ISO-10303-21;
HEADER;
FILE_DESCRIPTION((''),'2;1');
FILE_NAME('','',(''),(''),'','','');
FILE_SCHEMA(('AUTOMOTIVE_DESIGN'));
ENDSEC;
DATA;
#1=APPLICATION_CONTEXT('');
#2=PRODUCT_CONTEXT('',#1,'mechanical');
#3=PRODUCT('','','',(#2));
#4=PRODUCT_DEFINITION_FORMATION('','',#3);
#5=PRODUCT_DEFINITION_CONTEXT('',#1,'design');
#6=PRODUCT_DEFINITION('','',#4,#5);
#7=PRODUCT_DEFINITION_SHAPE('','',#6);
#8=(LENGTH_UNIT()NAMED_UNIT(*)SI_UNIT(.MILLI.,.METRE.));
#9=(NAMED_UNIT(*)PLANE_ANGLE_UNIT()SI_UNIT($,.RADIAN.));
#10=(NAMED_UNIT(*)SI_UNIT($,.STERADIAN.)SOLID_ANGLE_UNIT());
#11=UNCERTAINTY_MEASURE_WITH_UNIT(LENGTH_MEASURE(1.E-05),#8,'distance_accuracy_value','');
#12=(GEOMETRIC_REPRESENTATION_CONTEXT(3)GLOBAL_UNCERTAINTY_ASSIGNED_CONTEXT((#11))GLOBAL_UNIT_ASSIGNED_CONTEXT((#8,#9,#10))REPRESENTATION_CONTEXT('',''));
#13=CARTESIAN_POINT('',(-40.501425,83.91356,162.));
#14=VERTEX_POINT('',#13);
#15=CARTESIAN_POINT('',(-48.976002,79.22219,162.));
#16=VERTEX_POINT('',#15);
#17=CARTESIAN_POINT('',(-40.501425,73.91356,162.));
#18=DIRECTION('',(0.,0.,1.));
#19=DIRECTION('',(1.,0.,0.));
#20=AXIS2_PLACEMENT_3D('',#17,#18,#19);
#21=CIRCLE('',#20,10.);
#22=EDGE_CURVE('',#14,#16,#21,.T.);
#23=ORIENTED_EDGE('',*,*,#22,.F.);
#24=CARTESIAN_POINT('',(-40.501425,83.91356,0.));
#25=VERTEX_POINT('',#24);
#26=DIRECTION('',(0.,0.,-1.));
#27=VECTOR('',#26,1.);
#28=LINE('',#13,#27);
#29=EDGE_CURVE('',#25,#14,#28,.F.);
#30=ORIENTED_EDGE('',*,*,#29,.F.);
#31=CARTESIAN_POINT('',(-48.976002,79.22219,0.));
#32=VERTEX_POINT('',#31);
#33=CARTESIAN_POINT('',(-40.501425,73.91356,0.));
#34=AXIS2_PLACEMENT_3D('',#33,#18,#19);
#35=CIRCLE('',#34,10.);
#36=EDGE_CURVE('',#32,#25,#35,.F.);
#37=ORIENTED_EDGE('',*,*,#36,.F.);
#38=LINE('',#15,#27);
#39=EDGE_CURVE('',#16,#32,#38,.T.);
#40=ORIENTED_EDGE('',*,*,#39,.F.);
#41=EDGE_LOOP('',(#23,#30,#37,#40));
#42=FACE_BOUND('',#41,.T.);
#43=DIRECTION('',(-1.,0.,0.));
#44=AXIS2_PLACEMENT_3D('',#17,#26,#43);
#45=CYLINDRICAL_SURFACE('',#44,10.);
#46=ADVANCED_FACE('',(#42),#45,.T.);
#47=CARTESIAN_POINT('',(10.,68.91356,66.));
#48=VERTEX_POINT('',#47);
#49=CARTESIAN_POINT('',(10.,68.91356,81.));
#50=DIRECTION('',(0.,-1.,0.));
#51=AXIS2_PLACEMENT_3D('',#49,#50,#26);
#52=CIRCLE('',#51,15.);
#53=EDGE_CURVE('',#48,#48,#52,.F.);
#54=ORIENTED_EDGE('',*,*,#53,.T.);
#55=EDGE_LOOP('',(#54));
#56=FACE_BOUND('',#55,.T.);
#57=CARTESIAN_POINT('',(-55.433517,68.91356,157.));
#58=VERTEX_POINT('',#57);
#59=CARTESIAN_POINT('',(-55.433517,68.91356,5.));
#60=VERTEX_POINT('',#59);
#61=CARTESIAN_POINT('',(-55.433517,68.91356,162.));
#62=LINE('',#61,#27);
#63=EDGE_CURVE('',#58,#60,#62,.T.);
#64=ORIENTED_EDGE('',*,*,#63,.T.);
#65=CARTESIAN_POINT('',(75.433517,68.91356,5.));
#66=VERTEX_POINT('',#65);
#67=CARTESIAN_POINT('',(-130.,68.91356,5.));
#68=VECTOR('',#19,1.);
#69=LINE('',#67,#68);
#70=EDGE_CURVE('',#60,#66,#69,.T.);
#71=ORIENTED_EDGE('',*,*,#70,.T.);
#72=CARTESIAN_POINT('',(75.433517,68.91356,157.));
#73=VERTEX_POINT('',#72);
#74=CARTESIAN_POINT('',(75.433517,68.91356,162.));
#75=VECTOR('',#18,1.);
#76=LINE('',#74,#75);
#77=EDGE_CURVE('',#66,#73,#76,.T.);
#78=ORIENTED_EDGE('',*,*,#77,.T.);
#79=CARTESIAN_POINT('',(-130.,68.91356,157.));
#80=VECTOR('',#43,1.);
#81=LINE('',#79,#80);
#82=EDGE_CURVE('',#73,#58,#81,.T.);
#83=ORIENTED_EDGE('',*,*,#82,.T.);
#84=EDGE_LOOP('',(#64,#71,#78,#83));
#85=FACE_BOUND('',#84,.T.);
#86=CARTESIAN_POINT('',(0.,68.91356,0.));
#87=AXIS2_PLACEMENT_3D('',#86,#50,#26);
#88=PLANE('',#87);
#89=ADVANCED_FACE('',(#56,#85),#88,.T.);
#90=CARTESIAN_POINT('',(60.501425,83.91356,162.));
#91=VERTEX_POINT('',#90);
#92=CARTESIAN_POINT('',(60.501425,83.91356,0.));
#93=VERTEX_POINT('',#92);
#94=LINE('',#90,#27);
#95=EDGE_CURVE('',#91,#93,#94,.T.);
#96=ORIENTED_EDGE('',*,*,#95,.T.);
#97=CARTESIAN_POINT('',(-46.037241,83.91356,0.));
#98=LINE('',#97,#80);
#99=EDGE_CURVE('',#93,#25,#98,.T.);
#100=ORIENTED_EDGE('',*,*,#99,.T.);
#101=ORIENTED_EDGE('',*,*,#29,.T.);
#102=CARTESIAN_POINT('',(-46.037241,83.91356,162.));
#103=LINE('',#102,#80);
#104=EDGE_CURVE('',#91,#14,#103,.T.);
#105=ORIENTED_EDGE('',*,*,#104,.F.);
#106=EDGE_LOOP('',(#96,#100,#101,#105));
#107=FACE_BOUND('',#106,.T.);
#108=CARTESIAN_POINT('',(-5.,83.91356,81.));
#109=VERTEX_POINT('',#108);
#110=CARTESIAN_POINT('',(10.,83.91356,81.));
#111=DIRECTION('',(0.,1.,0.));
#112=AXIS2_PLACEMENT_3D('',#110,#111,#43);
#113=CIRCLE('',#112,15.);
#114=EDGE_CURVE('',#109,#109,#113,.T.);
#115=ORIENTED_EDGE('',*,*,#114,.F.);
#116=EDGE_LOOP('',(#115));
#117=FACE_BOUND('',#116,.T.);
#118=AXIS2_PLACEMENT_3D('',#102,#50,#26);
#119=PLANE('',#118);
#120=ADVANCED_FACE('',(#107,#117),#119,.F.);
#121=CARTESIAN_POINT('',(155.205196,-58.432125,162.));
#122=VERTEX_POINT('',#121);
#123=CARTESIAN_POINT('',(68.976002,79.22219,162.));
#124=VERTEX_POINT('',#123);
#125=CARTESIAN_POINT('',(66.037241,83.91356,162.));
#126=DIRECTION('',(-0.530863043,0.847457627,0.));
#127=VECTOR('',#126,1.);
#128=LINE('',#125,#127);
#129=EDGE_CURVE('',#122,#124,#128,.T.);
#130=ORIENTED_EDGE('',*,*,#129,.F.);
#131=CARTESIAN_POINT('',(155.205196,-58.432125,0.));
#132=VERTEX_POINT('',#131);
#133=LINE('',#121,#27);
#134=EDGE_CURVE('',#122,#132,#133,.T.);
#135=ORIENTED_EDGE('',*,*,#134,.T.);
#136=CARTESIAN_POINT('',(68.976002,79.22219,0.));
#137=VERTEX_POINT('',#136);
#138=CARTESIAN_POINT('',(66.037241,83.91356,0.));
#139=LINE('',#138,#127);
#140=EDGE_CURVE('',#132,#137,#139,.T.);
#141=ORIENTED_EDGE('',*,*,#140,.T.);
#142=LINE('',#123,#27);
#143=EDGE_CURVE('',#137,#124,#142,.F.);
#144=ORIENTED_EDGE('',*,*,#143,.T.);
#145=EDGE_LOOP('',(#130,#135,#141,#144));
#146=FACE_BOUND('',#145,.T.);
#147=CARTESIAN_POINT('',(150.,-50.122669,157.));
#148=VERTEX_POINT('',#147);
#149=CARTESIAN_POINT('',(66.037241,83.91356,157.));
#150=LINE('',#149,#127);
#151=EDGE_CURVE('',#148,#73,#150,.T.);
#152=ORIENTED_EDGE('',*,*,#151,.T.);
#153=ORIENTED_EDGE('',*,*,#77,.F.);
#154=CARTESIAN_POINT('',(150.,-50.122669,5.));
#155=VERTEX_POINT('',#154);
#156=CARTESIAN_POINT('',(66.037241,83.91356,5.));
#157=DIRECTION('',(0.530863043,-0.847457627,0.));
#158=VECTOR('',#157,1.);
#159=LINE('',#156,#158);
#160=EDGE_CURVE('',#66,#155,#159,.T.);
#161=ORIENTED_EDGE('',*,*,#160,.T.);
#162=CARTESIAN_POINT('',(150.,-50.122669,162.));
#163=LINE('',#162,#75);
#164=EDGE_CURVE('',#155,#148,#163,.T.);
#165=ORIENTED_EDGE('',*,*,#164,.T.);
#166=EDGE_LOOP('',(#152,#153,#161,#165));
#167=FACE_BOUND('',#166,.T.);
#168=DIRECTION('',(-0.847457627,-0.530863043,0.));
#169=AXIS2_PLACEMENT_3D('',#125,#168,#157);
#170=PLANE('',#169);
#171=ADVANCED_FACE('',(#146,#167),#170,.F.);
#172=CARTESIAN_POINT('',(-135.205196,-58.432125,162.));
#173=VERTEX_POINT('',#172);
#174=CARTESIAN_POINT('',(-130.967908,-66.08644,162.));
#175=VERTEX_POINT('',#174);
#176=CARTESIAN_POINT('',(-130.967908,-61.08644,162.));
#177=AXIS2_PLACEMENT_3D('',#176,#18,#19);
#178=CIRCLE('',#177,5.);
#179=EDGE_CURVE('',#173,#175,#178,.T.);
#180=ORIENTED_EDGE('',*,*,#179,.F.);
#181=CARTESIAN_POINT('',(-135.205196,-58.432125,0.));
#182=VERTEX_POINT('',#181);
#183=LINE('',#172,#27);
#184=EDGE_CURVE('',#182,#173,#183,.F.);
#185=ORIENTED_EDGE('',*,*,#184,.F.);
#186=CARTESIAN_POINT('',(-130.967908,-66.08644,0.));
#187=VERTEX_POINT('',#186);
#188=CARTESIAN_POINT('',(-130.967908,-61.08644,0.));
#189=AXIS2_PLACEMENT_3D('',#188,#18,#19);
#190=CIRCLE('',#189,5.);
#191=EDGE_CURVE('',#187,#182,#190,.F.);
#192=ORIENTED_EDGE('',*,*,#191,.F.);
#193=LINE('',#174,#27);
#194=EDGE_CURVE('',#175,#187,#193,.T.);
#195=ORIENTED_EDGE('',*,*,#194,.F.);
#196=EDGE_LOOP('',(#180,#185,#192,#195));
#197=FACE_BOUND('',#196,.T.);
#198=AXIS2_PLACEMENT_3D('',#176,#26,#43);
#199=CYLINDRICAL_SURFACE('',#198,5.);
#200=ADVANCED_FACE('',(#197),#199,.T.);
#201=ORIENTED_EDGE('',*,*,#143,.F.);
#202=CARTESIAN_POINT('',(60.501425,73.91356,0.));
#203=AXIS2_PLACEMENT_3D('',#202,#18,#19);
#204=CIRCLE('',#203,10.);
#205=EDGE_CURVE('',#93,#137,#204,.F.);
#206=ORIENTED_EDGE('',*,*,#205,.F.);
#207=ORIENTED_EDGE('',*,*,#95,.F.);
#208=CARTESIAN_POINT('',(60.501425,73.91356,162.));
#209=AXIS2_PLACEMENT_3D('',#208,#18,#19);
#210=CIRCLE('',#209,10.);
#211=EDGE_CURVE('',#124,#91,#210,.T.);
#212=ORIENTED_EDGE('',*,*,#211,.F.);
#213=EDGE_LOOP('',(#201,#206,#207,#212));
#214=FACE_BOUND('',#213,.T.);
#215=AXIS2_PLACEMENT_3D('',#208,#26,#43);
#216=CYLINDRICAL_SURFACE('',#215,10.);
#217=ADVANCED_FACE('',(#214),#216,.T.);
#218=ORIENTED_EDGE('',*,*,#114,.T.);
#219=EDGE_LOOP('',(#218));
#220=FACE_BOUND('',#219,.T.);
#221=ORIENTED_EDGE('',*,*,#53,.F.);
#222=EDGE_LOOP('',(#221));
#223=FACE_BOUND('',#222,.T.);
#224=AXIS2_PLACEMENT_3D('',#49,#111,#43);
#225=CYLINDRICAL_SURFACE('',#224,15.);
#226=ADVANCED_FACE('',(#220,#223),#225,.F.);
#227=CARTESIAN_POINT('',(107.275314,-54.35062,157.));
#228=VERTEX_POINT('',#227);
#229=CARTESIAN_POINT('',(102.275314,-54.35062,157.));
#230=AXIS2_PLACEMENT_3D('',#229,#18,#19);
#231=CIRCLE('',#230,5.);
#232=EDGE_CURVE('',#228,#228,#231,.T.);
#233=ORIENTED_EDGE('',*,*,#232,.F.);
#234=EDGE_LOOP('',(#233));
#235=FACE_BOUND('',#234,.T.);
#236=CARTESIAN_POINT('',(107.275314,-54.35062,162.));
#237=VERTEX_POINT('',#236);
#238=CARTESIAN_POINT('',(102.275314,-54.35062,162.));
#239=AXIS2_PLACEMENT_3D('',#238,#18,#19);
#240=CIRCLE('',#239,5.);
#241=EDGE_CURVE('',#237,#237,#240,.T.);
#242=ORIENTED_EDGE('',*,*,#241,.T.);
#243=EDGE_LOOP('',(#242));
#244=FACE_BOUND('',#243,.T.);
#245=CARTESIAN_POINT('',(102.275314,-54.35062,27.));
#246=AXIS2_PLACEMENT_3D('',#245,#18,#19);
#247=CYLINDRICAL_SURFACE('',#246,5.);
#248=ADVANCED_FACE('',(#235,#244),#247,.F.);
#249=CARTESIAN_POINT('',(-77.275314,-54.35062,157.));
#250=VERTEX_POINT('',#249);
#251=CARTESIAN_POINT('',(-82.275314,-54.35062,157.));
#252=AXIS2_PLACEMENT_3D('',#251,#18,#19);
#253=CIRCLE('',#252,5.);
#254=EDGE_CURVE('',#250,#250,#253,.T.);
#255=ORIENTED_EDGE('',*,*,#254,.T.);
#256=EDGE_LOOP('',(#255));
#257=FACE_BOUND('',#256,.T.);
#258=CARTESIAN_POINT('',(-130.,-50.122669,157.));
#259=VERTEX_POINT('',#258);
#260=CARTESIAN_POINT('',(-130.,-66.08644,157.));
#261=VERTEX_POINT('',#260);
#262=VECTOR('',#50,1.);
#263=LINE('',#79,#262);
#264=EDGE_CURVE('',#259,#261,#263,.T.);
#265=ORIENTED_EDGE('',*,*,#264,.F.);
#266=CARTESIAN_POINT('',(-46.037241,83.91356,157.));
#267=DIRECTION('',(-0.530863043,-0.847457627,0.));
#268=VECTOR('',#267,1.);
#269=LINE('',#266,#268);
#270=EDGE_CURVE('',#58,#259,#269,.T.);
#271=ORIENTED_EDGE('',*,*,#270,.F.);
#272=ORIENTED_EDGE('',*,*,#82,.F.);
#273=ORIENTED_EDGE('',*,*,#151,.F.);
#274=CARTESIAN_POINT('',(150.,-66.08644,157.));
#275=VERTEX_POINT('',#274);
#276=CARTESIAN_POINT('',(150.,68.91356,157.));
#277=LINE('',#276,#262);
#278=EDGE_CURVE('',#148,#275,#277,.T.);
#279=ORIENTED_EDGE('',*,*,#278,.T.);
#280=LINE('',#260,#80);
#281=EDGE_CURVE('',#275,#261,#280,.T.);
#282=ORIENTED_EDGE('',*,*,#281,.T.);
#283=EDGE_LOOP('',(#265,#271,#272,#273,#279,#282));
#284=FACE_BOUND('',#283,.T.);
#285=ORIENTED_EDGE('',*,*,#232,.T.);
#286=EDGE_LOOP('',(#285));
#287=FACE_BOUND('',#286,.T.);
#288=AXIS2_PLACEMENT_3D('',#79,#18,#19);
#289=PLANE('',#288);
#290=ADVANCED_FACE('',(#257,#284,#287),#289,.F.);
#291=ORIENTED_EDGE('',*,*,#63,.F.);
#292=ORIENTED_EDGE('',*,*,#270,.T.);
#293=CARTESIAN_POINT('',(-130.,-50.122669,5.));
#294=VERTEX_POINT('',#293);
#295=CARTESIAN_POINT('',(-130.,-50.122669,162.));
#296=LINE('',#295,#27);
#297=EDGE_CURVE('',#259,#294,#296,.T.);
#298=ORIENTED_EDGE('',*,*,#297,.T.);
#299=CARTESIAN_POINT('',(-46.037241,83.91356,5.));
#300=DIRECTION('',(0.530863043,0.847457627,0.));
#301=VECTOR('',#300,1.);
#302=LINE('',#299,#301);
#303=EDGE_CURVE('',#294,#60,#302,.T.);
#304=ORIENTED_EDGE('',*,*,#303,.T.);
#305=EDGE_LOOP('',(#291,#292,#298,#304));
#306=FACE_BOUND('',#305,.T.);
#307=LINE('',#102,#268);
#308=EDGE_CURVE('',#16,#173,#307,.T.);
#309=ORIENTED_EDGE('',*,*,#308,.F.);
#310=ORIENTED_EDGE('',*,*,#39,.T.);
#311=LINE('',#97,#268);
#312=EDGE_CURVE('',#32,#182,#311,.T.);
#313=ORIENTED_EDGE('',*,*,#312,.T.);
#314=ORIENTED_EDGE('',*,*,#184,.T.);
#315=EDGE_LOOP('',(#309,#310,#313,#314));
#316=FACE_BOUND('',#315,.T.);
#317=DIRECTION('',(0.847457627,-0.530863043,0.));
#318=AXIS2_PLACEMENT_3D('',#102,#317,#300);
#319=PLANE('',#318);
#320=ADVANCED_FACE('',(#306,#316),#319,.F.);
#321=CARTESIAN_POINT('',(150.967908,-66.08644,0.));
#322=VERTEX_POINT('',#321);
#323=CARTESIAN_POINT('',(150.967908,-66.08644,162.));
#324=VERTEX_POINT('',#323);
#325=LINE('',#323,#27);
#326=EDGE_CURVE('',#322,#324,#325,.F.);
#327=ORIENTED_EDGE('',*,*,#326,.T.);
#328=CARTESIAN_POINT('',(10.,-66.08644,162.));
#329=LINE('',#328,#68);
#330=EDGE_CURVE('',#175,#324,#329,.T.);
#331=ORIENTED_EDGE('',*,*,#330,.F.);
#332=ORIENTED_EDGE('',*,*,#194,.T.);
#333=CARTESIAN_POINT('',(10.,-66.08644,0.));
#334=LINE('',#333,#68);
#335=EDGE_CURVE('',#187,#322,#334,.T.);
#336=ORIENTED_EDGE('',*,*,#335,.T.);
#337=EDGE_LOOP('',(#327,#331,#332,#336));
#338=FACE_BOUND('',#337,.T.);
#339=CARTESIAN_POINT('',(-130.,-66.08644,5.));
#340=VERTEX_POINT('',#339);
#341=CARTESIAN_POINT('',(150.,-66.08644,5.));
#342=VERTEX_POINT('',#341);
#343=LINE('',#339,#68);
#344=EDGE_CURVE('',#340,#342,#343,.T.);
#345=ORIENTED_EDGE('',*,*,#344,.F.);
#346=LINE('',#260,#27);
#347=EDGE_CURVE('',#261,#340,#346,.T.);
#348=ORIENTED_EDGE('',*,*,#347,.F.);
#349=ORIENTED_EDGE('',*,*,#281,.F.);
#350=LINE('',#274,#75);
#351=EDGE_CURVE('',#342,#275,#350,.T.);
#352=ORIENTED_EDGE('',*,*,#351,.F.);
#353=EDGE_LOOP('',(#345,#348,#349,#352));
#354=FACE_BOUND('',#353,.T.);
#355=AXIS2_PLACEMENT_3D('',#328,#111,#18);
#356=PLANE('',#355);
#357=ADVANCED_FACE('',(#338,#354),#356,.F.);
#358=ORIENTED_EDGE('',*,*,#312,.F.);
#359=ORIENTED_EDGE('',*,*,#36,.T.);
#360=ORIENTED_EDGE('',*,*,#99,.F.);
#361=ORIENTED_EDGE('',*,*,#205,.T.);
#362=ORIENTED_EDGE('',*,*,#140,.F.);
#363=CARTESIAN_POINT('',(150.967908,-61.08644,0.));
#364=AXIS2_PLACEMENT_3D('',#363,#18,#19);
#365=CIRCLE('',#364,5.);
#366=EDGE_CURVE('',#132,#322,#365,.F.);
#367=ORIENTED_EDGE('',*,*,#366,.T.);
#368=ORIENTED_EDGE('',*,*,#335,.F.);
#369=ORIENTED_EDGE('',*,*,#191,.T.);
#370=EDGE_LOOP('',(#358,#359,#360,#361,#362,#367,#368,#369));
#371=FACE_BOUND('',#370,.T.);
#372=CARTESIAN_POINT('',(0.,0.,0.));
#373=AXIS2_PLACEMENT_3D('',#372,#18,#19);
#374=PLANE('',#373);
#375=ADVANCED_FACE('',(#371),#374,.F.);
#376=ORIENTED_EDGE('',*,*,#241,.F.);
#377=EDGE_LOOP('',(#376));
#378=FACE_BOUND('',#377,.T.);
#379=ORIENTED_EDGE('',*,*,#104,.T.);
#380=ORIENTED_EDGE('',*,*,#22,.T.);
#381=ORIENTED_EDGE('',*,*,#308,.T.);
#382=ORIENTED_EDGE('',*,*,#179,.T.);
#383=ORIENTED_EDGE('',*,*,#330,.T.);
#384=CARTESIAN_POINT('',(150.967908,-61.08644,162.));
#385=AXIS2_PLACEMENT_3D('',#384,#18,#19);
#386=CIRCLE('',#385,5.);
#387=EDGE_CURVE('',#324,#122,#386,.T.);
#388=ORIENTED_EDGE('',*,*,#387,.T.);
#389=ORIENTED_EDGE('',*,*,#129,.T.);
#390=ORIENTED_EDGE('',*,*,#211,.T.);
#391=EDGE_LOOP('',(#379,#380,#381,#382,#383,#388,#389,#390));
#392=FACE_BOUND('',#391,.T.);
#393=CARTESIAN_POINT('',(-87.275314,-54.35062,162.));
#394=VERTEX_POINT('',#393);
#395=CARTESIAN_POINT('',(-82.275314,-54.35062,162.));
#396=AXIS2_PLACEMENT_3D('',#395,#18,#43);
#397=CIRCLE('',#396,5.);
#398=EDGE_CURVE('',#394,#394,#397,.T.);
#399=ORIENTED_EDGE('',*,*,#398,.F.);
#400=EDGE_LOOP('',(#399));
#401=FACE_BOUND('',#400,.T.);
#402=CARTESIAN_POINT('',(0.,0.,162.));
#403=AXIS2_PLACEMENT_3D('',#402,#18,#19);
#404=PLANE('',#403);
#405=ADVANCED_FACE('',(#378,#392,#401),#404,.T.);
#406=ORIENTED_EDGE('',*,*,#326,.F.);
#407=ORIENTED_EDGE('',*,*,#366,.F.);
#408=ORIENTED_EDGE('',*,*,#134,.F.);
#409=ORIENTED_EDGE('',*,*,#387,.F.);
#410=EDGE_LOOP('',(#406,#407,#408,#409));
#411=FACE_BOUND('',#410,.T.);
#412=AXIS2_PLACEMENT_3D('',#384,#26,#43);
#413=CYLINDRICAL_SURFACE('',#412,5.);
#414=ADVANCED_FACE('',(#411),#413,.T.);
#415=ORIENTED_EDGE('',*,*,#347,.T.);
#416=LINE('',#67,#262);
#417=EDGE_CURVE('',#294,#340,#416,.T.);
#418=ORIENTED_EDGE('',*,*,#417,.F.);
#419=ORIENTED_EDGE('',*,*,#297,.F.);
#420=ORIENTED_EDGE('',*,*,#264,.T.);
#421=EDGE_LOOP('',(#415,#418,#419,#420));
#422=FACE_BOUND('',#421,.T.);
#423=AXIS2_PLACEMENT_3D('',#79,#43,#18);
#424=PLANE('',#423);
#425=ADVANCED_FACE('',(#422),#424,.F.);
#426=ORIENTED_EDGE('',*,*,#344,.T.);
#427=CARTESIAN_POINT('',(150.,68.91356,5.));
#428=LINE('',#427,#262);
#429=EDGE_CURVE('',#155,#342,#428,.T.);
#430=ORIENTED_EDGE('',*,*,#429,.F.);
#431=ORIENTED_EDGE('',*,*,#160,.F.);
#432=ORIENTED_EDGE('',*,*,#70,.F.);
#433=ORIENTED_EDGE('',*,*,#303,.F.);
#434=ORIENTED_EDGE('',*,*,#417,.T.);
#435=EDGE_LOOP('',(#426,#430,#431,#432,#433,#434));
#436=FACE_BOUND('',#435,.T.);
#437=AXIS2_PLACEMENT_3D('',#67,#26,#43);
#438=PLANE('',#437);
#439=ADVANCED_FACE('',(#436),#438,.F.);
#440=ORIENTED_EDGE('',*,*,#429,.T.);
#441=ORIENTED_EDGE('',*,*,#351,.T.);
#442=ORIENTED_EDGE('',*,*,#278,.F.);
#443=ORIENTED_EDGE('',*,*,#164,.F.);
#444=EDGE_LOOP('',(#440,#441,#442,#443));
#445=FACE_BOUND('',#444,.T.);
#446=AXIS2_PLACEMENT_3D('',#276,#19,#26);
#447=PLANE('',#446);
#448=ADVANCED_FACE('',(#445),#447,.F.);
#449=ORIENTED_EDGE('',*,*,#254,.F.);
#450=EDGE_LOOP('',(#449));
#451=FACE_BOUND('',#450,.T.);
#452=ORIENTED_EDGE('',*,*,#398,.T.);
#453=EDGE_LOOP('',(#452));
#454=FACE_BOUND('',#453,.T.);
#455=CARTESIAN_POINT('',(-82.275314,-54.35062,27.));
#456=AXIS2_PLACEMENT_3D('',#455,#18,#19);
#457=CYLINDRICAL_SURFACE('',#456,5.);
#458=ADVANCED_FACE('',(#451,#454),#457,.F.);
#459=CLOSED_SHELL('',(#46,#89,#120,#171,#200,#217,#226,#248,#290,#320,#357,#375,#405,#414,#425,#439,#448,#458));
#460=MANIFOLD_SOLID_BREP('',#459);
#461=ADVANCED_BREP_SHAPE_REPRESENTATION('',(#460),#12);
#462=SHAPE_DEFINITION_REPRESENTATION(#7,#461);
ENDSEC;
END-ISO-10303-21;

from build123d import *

# Parameters (mm, degrees)
BOSS_EXTRUDE1_DEPTH = 162
SKETCH2_R           = 15
CUT_EXTRUDE1_DEPTH  = 15
SKETCH4_W           = 280
SKETCH4_H           = 152
CUT_EXTRUDE3_DEPTH  = 135
FILLET2_R           = 10
FILLET3_R           = 5
SKETCH5_R           = 5
CUT_EXTRUDE4_DEPTH  = 135


with BuildPart() as part:
    # Sketch1 → Boss-Extrude1 (new body)
    with BuildSketch(Plane.XY):
        Polygon((-46.03724142, 83.913559712), (66.03724142, 83.913559712), (160, -66.086440288), (10, -66.086440288), (-140, -66.086440288), align=None)
    extrude(amount=BOSS_EXTRUDE1_DEPTH)

    # Sketch2 → Cut-Extrude1 (cut)
    with BuildSketch(Plane(origin=(0, 83.913559712, 0), x_dir=(1, 0, 0), z_dir=(0, 1, 0))):
        with Locations(Location((10, -81, 0), (0, 0, 180))):
            Circle(SKETCH2_R)
    extrude(amount=-CUT_EXTRUDE1_DEPTH, mode=Mode.SUBTRACT)

    # Sketch4 → Cut-Extrude3 (cut)
    with BuildSketch(Plane.XZ.offset(66.086440288)):
        with Locations((10, 81)):
            Rectangle(SKETCH4_W, SKETCH4_H)
    extrude(amount=-CUT_EXTRUDE3_DEPTH, mode=Mode.SUBTRACT)

    # Fillet2
    fillet2_edges = [part.edges().sort_by_distance(p)[0] for p in [
        (-46.03724142, 83.913559712, 81),
        (66.03724142, 83.913559712, 81),
    ]]
    fillet(fillet2_edges, radius=FILLET2_R)

    # Fillet3
    fillet3_edges = [part.edges().sort_by_distance(p)[0] for p in [
        (160, -66.086440288, 81),
        (-140, -66.086440288, 81),
    ]]
    fillet(fillet3_edges, radius=FILLET3_R)

    # Sketch5 → Cut-Extrude4 (cut)
    with BuildSketch(Plane.XY.offset(162)):
        with Locations((102.275314, -54.350620288)):
            Circle(SKETCH5_R)
        with Locations((-82.275314, -54.350620288)):
            Circle(SKETCH5_R)
    extrude(amount=-CUT_EXTRUDE4_DEPTH, mode=Mode.SUBTRACT)


solid = part.part
